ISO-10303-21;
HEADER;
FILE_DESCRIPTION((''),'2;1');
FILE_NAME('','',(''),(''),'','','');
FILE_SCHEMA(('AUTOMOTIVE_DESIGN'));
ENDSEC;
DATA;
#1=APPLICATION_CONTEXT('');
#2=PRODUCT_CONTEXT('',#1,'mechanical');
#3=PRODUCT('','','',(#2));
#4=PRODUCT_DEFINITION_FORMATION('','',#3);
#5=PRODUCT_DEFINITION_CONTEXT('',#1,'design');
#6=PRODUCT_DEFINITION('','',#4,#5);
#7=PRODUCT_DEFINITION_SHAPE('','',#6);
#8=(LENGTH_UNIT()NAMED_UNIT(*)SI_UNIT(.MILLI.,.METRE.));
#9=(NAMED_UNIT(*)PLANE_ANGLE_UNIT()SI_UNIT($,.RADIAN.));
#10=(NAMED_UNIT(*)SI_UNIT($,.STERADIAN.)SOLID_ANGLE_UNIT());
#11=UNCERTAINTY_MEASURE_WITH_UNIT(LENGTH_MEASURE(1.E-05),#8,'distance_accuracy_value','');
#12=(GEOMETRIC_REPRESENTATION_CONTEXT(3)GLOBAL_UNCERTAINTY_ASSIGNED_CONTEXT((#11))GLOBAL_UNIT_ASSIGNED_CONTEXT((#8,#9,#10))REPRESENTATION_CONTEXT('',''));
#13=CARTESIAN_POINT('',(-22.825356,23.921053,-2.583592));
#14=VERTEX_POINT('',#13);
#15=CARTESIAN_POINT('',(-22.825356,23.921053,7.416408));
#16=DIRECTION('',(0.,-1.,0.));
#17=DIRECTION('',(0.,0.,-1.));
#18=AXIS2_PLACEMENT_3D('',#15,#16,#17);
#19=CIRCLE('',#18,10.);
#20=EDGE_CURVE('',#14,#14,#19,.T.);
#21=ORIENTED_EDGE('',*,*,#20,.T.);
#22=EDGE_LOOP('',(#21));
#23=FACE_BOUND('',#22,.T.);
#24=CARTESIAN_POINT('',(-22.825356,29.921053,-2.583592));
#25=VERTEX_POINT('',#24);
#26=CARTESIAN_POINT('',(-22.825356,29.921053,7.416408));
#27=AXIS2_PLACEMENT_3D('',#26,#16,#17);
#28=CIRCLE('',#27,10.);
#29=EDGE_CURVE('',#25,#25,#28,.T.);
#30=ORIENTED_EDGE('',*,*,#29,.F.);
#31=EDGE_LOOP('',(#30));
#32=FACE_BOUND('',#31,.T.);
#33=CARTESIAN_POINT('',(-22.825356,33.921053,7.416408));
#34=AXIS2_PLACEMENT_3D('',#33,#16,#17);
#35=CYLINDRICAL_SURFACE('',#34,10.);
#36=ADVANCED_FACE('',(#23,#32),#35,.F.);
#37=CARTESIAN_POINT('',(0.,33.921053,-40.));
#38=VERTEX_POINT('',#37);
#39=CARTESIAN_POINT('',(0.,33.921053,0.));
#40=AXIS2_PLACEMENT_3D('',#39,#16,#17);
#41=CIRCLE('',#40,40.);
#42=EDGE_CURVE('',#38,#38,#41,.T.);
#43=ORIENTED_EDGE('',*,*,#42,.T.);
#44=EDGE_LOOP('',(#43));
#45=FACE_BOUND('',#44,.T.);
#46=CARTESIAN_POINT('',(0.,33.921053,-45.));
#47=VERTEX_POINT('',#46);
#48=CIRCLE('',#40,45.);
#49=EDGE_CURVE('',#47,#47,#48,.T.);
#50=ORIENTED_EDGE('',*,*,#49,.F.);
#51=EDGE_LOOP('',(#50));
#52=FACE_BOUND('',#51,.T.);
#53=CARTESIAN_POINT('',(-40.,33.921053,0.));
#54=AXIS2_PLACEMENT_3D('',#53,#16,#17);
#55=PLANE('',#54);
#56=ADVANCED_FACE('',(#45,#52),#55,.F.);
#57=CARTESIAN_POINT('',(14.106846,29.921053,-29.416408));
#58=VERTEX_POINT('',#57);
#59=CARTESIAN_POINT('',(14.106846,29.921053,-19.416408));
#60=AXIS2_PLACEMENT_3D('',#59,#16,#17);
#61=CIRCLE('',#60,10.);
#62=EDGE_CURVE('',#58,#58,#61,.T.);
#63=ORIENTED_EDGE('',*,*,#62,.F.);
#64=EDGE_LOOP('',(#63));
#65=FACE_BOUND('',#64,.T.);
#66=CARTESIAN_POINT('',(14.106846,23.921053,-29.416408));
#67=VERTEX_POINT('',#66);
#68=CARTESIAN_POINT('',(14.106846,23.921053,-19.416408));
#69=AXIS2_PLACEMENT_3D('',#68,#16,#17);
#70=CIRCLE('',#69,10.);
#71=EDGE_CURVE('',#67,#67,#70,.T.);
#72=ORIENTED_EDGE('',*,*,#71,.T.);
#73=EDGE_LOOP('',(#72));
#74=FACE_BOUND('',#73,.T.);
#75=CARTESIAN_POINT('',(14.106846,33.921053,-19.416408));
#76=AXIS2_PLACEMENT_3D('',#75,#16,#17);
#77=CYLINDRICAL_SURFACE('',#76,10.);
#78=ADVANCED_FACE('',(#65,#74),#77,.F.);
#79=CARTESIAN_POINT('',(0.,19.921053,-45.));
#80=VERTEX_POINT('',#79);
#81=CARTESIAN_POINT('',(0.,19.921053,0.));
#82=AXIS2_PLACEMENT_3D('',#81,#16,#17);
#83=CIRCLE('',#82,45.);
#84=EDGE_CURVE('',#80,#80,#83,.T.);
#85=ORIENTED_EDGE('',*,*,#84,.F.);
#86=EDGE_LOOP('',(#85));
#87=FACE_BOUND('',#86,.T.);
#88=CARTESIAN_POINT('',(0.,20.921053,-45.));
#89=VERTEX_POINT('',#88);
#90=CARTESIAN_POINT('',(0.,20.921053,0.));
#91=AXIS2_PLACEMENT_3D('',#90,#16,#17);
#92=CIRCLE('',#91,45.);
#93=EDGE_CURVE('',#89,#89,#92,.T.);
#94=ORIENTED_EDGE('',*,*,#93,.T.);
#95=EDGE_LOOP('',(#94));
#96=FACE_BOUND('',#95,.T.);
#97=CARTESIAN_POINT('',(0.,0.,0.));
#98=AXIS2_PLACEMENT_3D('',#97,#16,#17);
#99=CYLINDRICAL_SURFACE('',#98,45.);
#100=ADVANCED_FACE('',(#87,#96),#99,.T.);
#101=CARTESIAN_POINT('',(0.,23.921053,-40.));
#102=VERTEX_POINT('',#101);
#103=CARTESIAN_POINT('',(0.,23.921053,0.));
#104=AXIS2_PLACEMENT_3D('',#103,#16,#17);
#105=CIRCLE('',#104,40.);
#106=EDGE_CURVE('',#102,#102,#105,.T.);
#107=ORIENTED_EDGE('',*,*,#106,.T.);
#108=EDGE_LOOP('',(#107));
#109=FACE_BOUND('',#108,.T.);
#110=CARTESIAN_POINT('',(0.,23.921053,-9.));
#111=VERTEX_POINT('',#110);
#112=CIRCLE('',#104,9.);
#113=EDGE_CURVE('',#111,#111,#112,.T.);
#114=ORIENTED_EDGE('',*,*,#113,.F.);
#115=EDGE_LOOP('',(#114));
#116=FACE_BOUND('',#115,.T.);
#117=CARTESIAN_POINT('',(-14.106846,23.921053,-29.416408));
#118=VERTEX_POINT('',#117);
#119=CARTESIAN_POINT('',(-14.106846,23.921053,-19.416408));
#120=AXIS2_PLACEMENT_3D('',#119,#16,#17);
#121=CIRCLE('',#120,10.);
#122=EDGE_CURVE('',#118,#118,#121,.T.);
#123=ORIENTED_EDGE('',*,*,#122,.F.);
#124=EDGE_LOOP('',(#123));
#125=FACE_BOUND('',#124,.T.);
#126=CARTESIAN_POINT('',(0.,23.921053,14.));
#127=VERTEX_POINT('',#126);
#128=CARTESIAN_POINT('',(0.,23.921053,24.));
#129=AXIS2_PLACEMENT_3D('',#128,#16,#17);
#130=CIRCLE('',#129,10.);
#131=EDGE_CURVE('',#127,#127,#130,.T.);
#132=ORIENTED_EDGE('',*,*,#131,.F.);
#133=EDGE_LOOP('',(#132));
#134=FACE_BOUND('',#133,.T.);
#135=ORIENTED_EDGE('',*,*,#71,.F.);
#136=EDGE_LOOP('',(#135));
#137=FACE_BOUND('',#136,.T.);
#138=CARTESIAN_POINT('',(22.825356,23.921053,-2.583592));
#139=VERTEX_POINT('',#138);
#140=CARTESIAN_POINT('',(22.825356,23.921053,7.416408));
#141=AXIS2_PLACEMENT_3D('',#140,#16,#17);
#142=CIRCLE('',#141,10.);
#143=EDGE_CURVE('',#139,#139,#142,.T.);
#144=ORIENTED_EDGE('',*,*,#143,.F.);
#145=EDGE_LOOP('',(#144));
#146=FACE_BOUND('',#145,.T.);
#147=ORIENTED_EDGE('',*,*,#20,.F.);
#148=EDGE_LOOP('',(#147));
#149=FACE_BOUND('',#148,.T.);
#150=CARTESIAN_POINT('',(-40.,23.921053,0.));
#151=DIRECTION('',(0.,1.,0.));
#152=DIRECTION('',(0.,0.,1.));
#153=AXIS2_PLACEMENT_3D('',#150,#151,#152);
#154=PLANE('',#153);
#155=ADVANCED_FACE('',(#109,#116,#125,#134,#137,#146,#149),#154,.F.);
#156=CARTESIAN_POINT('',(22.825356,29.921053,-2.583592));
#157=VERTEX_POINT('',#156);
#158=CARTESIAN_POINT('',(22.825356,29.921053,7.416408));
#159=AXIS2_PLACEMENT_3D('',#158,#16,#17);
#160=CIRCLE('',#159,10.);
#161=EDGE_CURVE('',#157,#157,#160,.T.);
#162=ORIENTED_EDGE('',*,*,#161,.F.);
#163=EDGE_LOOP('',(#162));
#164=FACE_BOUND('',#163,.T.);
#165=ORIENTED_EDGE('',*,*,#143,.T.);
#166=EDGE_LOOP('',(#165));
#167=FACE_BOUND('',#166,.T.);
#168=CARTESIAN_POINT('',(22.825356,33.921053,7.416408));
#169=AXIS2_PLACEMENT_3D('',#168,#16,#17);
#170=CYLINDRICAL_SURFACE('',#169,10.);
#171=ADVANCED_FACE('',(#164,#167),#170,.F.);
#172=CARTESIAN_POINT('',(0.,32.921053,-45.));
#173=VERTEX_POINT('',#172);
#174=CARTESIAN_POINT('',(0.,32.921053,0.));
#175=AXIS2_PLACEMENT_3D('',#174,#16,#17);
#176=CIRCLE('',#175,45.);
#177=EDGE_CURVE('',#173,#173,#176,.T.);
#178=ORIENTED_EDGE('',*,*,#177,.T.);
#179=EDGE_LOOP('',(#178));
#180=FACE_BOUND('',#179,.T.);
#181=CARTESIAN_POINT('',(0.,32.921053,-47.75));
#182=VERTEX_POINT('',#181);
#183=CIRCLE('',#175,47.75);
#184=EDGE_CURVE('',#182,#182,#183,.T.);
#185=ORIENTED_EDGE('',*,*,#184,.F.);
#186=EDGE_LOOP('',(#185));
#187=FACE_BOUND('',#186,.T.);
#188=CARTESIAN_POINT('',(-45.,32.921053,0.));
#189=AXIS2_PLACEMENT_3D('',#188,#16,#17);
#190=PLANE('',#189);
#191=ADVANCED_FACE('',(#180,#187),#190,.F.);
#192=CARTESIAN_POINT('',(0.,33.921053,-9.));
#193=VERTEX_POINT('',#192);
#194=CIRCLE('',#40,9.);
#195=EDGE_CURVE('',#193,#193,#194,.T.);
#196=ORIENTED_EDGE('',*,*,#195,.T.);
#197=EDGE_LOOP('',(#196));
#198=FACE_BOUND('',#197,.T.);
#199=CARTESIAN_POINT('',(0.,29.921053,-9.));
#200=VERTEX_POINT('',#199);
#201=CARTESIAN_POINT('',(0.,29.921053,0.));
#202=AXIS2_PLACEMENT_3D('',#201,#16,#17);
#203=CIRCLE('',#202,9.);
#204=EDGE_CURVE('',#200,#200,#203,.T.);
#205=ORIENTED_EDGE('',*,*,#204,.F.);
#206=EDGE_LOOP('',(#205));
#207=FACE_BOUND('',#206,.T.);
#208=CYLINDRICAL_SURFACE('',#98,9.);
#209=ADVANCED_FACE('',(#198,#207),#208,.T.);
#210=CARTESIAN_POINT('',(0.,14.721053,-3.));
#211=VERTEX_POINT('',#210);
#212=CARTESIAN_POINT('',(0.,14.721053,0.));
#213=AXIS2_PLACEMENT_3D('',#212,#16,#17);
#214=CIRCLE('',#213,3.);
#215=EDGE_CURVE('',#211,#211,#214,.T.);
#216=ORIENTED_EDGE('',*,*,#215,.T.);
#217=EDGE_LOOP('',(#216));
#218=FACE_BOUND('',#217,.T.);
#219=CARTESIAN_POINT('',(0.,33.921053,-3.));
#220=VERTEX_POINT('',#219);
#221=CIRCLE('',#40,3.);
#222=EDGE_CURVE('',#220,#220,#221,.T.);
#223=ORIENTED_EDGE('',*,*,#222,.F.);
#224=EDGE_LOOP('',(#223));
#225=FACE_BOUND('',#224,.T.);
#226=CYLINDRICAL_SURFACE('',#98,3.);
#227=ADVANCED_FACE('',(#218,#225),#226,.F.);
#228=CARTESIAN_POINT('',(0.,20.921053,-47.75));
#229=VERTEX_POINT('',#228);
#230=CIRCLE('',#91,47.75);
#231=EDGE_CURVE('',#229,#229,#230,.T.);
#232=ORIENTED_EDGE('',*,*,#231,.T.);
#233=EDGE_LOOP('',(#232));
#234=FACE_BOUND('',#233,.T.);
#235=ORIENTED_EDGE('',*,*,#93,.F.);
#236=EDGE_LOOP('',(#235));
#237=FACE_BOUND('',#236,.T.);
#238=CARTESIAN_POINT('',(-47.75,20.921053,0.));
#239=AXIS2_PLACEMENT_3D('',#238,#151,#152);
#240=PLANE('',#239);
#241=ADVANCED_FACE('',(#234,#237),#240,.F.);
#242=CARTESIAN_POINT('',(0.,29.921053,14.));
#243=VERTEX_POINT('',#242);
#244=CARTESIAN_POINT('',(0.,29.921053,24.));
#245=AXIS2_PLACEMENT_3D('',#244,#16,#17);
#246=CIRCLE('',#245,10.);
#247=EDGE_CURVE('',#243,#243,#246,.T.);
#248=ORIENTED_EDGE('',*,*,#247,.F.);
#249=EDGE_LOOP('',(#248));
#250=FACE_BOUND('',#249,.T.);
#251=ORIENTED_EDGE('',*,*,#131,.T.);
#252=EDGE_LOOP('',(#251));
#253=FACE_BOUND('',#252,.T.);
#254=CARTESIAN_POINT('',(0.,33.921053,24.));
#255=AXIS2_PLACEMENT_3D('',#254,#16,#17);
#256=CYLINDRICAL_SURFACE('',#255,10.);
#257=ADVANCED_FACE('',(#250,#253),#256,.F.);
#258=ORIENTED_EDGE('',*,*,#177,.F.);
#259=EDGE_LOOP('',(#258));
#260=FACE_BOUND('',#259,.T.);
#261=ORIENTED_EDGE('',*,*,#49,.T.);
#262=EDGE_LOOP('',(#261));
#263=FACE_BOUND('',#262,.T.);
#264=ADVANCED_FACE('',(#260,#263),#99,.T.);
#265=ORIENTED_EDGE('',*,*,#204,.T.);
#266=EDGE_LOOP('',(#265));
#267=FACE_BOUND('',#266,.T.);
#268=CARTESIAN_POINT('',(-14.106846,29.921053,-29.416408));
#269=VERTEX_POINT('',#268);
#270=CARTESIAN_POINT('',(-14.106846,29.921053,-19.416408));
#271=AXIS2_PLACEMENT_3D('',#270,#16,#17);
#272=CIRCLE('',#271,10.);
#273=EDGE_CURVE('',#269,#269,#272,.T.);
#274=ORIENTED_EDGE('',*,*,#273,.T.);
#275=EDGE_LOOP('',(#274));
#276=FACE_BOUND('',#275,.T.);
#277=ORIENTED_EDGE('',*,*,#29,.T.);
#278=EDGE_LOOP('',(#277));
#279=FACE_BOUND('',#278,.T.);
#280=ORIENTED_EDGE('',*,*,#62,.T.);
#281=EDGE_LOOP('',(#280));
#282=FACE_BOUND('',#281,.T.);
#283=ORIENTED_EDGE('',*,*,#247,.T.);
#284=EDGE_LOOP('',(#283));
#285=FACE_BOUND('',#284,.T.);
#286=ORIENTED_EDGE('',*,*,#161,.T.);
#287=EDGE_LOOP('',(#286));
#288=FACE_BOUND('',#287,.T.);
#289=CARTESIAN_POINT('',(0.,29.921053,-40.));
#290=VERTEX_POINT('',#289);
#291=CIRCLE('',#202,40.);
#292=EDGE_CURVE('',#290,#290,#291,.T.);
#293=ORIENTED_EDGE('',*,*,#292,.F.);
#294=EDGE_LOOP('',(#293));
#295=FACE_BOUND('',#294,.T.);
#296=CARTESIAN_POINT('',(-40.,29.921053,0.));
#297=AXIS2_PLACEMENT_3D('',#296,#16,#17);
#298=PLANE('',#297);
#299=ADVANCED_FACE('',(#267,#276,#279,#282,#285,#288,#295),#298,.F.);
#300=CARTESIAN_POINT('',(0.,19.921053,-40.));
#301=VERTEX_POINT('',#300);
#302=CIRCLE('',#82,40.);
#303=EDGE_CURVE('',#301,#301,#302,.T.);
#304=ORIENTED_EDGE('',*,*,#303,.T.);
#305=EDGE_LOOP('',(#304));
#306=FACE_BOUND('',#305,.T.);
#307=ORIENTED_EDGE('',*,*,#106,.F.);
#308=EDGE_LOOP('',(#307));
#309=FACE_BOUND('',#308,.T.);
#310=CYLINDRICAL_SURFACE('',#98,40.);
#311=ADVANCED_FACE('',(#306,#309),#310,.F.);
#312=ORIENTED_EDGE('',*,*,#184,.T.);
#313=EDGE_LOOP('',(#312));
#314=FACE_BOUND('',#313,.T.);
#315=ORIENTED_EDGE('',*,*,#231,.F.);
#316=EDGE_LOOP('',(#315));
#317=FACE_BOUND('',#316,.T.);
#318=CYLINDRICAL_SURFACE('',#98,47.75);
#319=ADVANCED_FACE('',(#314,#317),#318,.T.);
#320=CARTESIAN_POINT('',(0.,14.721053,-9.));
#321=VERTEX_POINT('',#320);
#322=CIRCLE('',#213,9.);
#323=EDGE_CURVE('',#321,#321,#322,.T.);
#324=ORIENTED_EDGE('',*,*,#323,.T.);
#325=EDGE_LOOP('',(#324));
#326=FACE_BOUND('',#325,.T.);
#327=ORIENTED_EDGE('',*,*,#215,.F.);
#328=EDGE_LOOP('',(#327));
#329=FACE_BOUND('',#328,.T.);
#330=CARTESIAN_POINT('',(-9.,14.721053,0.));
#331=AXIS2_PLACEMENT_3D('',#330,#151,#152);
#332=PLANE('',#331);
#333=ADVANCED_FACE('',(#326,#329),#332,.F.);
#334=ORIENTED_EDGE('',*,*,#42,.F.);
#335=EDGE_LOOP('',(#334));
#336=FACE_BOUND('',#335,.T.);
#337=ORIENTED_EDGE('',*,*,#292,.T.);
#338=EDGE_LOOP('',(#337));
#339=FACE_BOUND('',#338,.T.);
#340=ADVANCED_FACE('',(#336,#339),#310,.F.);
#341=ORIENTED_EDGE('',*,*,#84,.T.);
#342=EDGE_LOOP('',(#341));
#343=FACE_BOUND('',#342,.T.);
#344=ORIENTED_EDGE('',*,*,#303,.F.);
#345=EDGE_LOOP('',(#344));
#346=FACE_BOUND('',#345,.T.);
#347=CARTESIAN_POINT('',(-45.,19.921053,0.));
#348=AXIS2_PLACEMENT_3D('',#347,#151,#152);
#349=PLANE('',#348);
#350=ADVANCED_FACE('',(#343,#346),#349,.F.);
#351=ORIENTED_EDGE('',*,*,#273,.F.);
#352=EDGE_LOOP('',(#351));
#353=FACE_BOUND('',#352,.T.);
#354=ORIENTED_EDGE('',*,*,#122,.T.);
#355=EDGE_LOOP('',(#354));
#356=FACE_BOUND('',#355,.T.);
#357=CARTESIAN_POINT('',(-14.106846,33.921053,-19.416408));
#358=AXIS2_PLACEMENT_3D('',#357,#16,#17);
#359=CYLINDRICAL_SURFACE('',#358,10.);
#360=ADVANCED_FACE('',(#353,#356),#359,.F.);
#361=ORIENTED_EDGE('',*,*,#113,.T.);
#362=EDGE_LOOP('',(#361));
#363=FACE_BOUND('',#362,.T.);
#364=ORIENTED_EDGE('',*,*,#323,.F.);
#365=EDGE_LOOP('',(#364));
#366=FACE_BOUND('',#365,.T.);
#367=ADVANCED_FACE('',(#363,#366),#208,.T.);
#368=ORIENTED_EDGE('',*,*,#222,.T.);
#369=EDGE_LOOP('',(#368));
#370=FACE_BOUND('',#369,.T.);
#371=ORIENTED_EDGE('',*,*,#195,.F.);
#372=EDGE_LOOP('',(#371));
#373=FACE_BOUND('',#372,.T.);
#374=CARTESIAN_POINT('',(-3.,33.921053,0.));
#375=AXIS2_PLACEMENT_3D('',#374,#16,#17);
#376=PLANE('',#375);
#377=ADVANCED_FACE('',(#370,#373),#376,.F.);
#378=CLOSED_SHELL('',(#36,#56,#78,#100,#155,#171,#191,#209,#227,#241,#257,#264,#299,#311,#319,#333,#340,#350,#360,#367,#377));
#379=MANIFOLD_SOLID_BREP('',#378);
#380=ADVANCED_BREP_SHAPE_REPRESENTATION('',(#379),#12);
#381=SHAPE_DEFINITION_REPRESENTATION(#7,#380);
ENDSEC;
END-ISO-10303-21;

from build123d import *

# Parameters (mm, degrees)
SKETCH_2_R          = 10
CUT_EXTRUDE_1_DEPTH = 10


with BuildPart() as part:
    # 草图1 → 旋转1 (revolve)
    with BuildSketch(Plane.XY, mode=Mode.PRIVATE) as revolve_1_sk:
        Polygon((-3, 33.921052632), (-9, 33.921052632), (-9, 29.921052632), (-40, 29.921052632), (-40, 33.921052632), (-45, 33.921052632), (-45, 32.921052632), (-47.75, 32.921052632), (-47.75, 20.921052632), (-45, 20.921052632), (-45, 19.921052632), (-40, 19.921052632), (-40, 23.921052632), (-9, 23.921052632), (-9, 19.921052632), (-9, 14.721052632), (-3, 14.721052632), align=None)
    revolve(revolve_1_sk.sketch.rotate(Axis((0, 0, 0), (0, 1, 0)), 270), axis=Axis((0, 0, 0), (0, 1, 0)))

    # 草图2 → 切除-拉伸1 (cut)
    with BuildSketch(Plane.XZ.offset(-23.921052632)):
        with Locations(Location((0, 24, 0), (0, 0, 270))):
            Circle(SKETCH_2_R)
        with Locations(Location((22.825356391, 7.416407865, 0), (0, 0, 270))):
            Circle(SKETCH_2_R)
        with Locations(Location((14.106846055, -19.416407865, 0), (0, 0, 270))):
            Circle(SKETCH_2_R)
        with Locations(Location((-14.106846055, -19.416407865, 0), (0, 0, 270))):
            Circle(SKETCH_2_R)
        with Locations(Location((-22.825356391, 7.416407865, 0), (0, 0, 270))):
            Circle(SKETCH_2_R)
    extrude(amount=-CUT_EXTRUDE_1_DEPTH, mode=Mode.SUBTRACT)


solid = part.part
